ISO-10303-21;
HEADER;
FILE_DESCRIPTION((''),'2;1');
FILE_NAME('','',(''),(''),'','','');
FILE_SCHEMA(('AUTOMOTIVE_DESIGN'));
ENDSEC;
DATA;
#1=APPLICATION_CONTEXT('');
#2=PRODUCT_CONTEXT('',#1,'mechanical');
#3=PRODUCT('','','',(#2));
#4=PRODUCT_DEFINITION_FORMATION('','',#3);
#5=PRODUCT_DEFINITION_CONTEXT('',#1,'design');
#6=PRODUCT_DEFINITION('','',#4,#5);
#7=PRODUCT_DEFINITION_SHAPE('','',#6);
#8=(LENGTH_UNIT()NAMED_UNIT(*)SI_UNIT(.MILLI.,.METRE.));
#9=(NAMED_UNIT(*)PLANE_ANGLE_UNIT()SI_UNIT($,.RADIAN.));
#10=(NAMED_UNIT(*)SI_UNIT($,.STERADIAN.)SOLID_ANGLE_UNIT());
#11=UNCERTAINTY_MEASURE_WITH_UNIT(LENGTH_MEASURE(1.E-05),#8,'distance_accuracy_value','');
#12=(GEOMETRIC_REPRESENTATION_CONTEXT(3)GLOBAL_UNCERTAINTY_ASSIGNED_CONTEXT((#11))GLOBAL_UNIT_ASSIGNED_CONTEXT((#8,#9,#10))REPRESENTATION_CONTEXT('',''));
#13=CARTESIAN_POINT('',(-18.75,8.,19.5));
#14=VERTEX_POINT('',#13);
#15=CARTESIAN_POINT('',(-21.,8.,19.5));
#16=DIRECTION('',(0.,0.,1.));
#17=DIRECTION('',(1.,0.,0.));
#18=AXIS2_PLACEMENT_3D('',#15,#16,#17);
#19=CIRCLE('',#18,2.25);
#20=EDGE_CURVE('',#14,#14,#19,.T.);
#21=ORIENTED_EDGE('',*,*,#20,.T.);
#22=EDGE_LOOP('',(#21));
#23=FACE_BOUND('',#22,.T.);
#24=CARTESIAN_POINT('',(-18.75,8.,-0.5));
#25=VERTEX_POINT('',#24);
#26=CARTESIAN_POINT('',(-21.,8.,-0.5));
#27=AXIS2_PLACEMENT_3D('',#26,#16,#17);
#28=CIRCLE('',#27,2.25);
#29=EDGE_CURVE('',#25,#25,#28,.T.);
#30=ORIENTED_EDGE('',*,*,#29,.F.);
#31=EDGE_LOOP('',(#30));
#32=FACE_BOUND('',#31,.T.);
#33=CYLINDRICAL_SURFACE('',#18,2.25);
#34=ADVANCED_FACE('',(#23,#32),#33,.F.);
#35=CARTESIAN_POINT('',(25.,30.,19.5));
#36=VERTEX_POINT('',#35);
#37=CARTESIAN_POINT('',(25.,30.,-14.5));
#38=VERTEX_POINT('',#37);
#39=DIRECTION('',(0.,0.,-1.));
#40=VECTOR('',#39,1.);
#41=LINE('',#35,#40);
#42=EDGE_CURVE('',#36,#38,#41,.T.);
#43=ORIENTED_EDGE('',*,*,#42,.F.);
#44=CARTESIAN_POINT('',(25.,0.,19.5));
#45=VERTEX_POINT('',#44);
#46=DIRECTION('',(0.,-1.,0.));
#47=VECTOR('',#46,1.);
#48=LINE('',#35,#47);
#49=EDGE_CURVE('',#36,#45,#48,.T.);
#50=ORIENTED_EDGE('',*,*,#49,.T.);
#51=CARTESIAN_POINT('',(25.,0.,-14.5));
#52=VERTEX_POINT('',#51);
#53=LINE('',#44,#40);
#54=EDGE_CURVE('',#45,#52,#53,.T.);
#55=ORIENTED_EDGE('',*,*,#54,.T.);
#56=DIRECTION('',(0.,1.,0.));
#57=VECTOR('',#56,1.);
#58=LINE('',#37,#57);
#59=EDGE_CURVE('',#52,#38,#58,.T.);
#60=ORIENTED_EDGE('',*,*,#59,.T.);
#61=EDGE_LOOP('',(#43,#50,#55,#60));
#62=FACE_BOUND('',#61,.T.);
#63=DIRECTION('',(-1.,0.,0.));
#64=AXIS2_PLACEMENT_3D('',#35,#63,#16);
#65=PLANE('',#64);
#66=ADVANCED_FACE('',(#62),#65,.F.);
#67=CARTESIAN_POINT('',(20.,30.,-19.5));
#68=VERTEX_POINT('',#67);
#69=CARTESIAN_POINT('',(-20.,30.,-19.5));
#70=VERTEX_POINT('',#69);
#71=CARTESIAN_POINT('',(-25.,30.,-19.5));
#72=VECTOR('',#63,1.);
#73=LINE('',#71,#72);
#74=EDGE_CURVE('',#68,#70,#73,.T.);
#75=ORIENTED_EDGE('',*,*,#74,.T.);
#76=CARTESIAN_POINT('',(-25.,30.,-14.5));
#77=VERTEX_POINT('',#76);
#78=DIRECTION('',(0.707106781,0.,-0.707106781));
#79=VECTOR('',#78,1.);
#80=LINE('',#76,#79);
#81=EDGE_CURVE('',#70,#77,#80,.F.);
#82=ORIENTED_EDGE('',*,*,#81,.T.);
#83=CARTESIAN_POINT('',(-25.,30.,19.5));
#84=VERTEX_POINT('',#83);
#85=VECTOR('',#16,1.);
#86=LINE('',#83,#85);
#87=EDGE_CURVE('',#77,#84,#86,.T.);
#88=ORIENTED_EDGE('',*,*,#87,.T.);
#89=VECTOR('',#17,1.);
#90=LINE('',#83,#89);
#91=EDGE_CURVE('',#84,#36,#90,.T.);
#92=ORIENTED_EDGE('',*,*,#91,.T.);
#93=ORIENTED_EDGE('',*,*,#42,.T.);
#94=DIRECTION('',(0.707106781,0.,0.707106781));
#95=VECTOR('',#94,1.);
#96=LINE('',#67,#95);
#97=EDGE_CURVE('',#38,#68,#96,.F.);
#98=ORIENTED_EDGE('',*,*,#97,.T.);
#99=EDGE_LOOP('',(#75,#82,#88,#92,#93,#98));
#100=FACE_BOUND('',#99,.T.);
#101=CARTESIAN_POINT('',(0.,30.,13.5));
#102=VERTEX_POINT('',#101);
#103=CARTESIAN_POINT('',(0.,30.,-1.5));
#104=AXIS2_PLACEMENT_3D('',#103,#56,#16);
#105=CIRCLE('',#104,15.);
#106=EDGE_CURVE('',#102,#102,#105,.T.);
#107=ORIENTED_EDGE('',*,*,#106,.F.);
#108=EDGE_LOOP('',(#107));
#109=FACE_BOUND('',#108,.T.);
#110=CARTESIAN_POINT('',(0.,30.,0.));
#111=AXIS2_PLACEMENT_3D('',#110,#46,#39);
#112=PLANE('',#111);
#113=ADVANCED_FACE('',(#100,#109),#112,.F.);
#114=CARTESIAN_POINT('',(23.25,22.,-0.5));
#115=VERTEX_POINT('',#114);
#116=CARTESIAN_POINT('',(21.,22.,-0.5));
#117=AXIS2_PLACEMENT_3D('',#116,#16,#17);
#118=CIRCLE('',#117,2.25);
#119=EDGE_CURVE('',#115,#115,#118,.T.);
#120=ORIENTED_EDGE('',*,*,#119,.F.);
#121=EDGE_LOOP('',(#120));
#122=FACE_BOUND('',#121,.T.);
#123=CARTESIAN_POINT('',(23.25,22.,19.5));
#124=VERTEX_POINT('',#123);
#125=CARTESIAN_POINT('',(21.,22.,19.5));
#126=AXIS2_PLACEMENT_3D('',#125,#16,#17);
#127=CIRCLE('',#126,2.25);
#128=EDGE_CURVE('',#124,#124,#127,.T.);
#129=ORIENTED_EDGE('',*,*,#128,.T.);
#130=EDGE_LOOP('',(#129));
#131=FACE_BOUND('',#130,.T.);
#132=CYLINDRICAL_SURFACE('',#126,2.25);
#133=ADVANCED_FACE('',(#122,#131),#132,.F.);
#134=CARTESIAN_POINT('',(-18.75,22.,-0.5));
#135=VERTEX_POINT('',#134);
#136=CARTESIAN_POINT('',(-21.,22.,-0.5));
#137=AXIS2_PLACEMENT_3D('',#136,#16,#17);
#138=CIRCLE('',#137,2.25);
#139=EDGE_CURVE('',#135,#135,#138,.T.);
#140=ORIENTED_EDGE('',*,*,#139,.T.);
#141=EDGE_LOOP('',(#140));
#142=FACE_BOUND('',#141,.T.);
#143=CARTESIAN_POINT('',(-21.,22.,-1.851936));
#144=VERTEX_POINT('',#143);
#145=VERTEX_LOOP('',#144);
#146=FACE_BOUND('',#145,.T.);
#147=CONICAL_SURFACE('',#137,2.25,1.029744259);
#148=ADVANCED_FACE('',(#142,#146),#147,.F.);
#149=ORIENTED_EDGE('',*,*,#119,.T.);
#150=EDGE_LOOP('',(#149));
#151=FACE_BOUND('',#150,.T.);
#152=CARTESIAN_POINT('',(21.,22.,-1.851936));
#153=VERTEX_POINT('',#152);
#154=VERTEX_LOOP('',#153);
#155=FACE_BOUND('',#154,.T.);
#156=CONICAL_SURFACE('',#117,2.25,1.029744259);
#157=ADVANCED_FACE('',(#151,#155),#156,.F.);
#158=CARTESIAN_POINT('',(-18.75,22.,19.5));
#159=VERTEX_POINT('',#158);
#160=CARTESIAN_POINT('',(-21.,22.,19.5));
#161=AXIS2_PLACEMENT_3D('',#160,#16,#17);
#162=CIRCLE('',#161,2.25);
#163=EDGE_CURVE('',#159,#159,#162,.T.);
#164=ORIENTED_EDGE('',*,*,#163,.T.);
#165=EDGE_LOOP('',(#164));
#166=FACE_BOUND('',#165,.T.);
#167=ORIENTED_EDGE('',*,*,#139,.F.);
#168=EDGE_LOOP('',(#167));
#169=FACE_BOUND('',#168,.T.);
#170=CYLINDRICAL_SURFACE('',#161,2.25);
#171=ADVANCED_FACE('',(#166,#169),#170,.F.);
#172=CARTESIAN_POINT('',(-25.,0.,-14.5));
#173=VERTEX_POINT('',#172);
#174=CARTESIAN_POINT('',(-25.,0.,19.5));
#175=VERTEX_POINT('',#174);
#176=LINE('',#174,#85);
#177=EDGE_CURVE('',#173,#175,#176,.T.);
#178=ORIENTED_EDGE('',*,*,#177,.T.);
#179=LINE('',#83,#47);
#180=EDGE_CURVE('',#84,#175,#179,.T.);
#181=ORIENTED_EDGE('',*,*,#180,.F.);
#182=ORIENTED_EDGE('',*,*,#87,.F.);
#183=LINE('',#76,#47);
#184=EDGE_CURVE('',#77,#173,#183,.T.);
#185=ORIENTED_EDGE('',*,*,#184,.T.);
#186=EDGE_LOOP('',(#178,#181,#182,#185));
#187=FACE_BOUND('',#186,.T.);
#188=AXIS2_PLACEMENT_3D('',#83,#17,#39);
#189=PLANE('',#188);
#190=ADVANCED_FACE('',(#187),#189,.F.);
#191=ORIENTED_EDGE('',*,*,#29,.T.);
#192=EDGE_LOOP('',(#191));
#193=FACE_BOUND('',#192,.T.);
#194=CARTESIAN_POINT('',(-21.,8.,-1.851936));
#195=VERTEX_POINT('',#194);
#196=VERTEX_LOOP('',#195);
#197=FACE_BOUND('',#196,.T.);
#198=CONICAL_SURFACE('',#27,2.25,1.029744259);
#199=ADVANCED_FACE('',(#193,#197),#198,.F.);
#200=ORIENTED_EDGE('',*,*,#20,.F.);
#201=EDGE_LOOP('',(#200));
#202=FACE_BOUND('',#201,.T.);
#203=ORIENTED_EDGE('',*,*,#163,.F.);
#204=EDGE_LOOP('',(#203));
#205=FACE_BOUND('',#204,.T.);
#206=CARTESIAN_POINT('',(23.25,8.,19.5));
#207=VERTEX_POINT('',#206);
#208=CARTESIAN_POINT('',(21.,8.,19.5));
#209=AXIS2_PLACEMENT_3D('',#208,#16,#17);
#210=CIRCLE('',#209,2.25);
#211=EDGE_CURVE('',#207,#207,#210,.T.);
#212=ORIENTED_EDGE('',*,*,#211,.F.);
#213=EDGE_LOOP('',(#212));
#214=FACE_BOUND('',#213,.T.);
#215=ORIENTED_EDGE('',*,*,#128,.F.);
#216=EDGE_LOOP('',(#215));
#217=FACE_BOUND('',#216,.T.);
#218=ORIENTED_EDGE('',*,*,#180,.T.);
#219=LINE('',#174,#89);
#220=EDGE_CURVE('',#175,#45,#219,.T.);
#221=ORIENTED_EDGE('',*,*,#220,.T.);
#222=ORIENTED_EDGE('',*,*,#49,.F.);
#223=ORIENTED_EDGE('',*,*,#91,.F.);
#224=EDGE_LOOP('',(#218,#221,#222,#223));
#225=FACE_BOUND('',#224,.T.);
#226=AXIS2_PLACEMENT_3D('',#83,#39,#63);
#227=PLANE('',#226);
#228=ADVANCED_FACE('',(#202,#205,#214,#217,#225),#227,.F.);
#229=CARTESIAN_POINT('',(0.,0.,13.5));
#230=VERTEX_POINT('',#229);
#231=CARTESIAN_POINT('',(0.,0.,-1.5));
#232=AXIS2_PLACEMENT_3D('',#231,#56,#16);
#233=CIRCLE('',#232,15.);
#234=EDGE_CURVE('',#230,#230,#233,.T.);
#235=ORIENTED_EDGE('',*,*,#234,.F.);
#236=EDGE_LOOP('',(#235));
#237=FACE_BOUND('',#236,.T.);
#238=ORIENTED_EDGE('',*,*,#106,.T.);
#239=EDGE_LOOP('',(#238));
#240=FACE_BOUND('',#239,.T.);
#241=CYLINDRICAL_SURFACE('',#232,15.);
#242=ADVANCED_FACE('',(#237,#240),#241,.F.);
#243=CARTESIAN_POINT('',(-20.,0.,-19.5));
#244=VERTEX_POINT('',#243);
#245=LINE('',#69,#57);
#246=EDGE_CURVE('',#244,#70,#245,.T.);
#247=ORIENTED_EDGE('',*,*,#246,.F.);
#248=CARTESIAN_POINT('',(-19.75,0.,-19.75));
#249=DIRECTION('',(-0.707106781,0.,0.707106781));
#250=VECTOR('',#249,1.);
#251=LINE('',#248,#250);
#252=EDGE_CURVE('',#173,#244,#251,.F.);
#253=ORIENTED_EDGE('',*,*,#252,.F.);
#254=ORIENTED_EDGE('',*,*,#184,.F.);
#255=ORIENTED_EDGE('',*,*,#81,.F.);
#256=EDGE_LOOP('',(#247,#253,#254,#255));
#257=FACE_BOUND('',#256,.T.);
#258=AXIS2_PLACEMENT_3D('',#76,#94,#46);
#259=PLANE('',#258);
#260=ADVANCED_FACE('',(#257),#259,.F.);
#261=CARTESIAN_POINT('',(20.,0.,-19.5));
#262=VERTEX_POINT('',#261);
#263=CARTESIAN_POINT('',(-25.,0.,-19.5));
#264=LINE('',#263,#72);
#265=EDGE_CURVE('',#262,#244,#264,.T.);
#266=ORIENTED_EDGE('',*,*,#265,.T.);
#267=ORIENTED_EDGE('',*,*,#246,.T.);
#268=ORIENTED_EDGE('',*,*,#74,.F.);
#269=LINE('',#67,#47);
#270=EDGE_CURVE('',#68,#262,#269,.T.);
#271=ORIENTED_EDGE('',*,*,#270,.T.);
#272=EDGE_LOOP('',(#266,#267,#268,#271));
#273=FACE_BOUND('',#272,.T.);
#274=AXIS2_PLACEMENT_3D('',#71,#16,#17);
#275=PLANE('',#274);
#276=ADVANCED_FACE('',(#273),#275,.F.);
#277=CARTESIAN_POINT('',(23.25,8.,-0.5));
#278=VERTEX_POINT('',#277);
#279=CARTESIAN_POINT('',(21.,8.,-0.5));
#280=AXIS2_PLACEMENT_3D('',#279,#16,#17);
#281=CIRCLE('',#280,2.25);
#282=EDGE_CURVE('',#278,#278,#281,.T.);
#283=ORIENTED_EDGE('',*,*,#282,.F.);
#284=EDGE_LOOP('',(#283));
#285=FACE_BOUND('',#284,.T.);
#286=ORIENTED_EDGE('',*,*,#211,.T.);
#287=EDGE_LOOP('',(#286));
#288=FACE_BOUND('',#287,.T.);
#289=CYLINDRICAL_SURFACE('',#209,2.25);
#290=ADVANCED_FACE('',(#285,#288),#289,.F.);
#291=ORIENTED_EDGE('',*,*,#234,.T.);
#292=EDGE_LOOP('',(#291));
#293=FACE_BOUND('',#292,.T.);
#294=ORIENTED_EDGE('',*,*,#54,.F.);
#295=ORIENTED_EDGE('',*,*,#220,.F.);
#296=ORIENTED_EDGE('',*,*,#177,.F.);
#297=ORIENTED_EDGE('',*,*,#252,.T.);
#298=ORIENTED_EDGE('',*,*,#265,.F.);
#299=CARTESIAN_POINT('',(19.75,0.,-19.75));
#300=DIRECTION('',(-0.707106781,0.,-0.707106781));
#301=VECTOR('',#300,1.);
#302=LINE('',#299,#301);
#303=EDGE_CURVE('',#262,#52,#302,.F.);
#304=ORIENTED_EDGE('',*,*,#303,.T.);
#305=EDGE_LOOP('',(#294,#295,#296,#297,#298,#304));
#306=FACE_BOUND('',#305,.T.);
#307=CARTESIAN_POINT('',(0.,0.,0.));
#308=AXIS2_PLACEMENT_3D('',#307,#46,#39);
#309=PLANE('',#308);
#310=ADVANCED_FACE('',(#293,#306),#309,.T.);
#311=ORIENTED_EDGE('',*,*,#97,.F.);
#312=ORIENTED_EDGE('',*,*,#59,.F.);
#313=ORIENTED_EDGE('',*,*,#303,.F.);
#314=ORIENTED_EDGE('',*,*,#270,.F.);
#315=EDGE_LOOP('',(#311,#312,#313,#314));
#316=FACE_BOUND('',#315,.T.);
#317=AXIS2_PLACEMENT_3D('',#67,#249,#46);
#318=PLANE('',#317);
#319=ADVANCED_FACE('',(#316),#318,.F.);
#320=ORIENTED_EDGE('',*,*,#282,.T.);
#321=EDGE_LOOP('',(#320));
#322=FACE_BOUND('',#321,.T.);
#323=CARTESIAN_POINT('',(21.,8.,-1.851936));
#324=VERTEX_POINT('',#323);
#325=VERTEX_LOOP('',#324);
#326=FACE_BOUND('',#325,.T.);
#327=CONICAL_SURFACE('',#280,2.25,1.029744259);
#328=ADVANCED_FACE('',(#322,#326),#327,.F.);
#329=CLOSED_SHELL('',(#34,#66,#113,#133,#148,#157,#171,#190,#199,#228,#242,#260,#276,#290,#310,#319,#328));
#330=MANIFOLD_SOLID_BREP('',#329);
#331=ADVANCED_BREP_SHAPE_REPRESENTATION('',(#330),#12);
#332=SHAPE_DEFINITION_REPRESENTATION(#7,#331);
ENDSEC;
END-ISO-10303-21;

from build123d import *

# Parameters (mm, degrees)
SKETCH_1_W             = 50
SKETCH_1_H             = 39
EXTRUDE_1_DEPTH        = 30
SKETCH_2_R             = 15
CUT_EXTRUDE_1_DEPTH    = 30
CHAMFER_1_SIZE         = 5
HOLE_WIZARD_M4_1_D     = 4.5
HOLE_WIZARD_M4_1_DEPTH = 20
HOLE_WIZARD_M4_1_TIP   = 1.351936393


with BuildPart() as part:
    # 스케치1 → 보스-돌출1 (new body)
    with BuildSketch(Plane(origin=(0, 0, 0), x_dir=(1, 0, 0), z_dir=(0, 1, 0))):
        Rectangle(SKETCH_1_W, SKETCH_1_H)
    extrude(amount=EXTRUDE_1_DEPTH)

    # 스케치2 → 컷-돌출1 (cut)
    with BuildSketch(Plane(origin=(0, 30, 0), x_dir=(1, 0, 0), z_dir=(0, 1, 0))):
        with Locations(Location((0, 1.5, 0), (0, 0, 270))):
            Circle(SKETCH_2_R)
    extrude(amount=-CUT_EXTRUDE_1_DEPTH, mode=Mode.SUBTRACT)

    # 모따기1
    chamfer_1_edges = [part.edges().sort_by_distance(p)[0] for p in [
        (-25, 15, -19.5),
        (25, 15, -19.5),
    ]]
    chamfer(chamfer_1_edges, length=CHAMFER_1_SIZE)

    # M4 여유 구멍1
    with Locations(Plane.XY.offset(19.5)):
        with Locations((-21, 22), (21, 22), (21, 8), (-21, 8)):
            Hole(HOLE_WIZARD_M4_1_D / 2, depth=HOLE_WIZARD_M4_1_DEPTH)
            with Locations((0, 0, -(HOLE_WIZARD_M4_1_DEPTH + HOLE_WIZARD_M4_1_TIP / 2))):  # 118° drill point
                Cone(0, HOLE_WIZARD_M4_1_D / 2, HOLE_WIZARD_M4_1_TIP, mode=Mode.SUBTRACT)


solid = part.part
